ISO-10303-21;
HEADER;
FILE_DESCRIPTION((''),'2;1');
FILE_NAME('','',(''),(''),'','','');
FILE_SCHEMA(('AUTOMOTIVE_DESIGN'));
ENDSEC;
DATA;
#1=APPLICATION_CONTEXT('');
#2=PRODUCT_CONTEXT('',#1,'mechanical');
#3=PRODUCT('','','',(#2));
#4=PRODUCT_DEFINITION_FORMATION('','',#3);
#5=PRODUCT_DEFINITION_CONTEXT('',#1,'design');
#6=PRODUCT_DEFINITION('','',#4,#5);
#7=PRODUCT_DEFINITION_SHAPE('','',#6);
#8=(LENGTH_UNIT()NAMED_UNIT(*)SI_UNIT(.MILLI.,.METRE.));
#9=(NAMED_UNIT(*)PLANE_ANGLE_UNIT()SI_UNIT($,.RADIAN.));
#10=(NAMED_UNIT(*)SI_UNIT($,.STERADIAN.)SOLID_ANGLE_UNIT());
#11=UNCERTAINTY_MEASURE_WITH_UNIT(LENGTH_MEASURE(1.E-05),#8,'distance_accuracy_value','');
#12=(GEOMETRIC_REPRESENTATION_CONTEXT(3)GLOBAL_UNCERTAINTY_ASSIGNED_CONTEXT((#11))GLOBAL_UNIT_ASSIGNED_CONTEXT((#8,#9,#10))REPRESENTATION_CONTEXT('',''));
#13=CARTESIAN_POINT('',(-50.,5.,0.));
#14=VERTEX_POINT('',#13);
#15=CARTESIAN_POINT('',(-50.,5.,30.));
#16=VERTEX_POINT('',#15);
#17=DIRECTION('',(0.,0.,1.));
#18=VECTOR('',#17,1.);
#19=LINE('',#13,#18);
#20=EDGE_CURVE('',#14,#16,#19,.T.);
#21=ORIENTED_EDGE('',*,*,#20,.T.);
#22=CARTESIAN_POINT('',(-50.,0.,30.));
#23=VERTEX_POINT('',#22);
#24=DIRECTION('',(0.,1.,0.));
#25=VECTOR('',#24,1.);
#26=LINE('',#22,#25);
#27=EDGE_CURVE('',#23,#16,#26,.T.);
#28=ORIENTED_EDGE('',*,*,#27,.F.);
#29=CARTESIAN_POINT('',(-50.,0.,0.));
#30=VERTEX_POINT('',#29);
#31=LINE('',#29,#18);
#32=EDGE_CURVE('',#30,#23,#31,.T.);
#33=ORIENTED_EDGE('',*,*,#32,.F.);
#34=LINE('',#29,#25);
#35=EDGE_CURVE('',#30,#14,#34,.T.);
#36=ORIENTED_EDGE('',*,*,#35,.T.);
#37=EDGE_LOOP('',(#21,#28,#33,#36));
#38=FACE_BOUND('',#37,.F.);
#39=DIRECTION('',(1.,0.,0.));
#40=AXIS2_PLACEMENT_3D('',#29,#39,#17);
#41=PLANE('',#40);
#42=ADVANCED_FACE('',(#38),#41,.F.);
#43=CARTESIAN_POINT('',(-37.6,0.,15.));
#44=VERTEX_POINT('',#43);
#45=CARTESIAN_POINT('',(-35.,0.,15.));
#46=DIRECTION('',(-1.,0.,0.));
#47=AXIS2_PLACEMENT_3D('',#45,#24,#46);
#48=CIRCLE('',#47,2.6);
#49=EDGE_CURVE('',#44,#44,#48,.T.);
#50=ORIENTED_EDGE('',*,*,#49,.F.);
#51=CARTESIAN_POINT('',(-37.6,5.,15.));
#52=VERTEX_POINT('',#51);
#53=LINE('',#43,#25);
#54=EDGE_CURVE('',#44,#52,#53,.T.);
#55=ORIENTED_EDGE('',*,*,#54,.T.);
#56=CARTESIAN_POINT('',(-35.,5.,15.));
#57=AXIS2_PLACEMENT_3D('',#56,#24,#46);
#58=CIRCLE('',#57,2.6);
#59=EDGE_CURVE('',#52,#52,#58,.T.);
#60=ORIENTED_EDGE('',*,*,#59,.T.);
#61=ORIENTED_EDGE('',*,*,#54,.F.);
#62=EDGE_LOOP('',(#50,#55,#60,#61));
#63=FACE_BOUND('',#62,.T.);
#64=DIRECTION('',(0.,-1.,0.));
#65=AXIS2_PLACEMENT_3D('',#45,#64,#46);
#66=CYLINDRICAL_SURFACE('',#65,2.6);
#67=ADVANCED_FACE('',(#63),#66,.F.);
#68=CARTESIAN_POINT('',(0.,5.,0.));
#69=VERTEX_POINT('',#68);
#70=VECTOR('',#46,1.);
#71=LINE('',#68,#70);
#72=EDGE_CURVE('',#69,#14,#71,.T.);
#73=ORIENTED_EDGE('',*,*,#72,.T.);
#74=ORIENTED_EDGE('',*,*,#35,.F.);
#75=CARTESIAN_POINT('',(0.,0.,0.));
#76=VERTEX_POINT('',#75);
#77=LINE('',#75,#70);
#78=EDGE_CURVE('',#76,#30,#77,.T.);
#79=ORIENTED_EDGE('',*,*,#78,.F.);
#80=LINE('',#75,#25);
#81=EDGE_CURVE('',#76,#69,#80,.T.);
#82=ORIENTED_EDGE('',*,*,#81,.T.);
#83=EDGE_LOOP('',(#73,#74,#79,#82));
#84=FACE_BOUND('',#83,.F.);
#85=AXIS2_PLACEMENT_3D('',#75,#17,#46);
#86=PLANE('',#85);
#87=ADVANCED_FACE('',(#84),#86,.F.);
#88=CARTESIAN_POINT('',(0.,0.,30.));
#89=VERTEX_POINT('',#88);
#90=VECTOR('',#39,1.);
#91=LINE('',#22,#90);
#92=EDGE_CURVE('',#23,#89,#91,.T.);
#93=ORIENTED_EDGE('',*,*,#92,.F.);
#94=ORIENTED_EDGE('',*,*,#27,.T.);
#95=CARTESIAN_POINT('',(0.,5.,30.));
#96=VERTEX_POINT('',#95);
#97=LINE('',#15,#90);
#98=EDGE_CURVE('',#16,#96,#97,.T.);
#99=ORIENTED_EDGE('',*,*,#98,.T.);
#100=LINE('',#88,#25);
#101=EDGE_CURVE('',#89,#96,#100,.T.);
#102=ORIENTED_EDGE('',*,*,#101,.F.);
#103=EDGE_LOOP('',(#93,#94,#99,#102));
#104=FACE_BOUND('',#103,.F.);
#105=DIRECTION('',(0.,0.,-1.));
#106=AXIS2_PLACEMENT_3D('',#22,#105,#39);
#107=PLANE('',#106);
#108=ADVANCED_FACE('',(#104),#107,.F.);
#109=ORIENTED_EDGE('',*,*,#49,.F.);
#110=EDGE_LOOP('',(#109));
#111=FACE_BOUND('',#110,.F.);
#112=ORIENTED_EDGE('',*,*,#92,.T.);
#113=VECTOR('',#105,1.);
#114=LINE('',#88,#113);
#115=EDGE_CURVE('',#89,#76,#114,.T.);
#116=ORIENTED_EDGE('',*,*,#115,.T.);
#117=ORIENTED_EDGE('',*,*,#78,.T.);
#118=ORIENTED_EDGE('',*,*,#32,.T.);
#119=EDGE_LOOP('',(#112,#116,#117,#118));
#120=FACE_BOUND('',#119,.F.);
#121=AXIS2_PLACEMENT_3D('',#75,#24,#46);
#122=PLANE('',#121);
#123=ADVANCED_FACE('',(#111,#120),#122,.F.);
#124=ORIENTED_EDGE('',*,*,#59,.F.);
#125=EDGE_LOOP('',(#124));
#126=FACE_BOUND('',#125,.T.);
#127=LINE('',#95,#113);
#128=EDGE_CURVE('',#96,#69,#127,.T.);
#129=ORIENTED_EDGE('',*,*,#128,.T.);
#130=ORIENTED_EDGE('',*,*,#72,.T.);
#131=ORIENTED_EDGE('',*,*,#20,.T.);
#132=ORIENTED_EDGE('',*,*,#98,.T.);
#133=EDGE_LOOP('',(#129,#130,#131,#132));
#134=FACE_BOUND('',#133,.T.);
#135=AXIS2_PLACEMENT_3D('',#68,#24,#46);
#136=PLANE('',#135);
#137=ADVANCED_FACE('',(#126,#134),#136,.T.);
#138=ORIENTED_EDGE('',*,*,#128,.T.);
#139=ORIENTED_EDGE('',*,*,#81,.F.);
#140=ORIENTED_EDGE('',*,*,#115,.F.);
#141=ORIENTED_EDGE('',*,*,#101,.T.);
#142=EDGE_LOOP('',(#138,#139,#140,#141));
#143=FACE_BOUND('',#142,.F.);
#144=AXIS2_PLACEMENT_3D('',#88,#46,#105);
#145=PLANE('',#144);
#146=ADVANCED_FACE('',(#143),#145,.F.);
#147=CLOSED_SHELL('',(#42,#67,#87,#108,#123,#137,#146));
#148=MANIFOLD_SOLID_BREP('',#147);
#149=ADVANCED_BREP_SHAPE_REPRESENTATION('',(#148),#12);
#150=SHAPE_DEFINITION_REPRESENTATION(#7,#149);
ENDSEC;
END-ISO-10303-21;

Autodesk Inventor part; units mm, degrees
ref_plane "YZ Plane" through (0, 0, 0) normal (1, 0, 0) x (0, 1, 0)
ref_plane "XZ Plane" through (0, 0, 0) normal (0, 1, 0) x (-1, 0, 0)
ref_plane "XY Plane" through (0, 0, 0) normal (0, 0, 1) x (1, 0, 0)
sketch "Sketch1" plane through (0, 0, 0) normal (0, 1, 0) x (-1, 0, 0)
  line L0 (0, 0) -> (50, 0)
  line L1 (50, 0) -> (50, 30)
  line L2 (50, 30) -> (0, 30)
  line L3 (0, 30) -> (0, 0)
  circle A0 centre (35, 15) radius 2.6
  dimension "d2" = 30
  dimension "d3" = 50
  dimension "d4" = 5.2
  dimension "d7" = 15
extrude "Extrusion2" add sketch "Sketch1" along normal blind 5
properties part number "slider_box" material "Wood (Birch)"
